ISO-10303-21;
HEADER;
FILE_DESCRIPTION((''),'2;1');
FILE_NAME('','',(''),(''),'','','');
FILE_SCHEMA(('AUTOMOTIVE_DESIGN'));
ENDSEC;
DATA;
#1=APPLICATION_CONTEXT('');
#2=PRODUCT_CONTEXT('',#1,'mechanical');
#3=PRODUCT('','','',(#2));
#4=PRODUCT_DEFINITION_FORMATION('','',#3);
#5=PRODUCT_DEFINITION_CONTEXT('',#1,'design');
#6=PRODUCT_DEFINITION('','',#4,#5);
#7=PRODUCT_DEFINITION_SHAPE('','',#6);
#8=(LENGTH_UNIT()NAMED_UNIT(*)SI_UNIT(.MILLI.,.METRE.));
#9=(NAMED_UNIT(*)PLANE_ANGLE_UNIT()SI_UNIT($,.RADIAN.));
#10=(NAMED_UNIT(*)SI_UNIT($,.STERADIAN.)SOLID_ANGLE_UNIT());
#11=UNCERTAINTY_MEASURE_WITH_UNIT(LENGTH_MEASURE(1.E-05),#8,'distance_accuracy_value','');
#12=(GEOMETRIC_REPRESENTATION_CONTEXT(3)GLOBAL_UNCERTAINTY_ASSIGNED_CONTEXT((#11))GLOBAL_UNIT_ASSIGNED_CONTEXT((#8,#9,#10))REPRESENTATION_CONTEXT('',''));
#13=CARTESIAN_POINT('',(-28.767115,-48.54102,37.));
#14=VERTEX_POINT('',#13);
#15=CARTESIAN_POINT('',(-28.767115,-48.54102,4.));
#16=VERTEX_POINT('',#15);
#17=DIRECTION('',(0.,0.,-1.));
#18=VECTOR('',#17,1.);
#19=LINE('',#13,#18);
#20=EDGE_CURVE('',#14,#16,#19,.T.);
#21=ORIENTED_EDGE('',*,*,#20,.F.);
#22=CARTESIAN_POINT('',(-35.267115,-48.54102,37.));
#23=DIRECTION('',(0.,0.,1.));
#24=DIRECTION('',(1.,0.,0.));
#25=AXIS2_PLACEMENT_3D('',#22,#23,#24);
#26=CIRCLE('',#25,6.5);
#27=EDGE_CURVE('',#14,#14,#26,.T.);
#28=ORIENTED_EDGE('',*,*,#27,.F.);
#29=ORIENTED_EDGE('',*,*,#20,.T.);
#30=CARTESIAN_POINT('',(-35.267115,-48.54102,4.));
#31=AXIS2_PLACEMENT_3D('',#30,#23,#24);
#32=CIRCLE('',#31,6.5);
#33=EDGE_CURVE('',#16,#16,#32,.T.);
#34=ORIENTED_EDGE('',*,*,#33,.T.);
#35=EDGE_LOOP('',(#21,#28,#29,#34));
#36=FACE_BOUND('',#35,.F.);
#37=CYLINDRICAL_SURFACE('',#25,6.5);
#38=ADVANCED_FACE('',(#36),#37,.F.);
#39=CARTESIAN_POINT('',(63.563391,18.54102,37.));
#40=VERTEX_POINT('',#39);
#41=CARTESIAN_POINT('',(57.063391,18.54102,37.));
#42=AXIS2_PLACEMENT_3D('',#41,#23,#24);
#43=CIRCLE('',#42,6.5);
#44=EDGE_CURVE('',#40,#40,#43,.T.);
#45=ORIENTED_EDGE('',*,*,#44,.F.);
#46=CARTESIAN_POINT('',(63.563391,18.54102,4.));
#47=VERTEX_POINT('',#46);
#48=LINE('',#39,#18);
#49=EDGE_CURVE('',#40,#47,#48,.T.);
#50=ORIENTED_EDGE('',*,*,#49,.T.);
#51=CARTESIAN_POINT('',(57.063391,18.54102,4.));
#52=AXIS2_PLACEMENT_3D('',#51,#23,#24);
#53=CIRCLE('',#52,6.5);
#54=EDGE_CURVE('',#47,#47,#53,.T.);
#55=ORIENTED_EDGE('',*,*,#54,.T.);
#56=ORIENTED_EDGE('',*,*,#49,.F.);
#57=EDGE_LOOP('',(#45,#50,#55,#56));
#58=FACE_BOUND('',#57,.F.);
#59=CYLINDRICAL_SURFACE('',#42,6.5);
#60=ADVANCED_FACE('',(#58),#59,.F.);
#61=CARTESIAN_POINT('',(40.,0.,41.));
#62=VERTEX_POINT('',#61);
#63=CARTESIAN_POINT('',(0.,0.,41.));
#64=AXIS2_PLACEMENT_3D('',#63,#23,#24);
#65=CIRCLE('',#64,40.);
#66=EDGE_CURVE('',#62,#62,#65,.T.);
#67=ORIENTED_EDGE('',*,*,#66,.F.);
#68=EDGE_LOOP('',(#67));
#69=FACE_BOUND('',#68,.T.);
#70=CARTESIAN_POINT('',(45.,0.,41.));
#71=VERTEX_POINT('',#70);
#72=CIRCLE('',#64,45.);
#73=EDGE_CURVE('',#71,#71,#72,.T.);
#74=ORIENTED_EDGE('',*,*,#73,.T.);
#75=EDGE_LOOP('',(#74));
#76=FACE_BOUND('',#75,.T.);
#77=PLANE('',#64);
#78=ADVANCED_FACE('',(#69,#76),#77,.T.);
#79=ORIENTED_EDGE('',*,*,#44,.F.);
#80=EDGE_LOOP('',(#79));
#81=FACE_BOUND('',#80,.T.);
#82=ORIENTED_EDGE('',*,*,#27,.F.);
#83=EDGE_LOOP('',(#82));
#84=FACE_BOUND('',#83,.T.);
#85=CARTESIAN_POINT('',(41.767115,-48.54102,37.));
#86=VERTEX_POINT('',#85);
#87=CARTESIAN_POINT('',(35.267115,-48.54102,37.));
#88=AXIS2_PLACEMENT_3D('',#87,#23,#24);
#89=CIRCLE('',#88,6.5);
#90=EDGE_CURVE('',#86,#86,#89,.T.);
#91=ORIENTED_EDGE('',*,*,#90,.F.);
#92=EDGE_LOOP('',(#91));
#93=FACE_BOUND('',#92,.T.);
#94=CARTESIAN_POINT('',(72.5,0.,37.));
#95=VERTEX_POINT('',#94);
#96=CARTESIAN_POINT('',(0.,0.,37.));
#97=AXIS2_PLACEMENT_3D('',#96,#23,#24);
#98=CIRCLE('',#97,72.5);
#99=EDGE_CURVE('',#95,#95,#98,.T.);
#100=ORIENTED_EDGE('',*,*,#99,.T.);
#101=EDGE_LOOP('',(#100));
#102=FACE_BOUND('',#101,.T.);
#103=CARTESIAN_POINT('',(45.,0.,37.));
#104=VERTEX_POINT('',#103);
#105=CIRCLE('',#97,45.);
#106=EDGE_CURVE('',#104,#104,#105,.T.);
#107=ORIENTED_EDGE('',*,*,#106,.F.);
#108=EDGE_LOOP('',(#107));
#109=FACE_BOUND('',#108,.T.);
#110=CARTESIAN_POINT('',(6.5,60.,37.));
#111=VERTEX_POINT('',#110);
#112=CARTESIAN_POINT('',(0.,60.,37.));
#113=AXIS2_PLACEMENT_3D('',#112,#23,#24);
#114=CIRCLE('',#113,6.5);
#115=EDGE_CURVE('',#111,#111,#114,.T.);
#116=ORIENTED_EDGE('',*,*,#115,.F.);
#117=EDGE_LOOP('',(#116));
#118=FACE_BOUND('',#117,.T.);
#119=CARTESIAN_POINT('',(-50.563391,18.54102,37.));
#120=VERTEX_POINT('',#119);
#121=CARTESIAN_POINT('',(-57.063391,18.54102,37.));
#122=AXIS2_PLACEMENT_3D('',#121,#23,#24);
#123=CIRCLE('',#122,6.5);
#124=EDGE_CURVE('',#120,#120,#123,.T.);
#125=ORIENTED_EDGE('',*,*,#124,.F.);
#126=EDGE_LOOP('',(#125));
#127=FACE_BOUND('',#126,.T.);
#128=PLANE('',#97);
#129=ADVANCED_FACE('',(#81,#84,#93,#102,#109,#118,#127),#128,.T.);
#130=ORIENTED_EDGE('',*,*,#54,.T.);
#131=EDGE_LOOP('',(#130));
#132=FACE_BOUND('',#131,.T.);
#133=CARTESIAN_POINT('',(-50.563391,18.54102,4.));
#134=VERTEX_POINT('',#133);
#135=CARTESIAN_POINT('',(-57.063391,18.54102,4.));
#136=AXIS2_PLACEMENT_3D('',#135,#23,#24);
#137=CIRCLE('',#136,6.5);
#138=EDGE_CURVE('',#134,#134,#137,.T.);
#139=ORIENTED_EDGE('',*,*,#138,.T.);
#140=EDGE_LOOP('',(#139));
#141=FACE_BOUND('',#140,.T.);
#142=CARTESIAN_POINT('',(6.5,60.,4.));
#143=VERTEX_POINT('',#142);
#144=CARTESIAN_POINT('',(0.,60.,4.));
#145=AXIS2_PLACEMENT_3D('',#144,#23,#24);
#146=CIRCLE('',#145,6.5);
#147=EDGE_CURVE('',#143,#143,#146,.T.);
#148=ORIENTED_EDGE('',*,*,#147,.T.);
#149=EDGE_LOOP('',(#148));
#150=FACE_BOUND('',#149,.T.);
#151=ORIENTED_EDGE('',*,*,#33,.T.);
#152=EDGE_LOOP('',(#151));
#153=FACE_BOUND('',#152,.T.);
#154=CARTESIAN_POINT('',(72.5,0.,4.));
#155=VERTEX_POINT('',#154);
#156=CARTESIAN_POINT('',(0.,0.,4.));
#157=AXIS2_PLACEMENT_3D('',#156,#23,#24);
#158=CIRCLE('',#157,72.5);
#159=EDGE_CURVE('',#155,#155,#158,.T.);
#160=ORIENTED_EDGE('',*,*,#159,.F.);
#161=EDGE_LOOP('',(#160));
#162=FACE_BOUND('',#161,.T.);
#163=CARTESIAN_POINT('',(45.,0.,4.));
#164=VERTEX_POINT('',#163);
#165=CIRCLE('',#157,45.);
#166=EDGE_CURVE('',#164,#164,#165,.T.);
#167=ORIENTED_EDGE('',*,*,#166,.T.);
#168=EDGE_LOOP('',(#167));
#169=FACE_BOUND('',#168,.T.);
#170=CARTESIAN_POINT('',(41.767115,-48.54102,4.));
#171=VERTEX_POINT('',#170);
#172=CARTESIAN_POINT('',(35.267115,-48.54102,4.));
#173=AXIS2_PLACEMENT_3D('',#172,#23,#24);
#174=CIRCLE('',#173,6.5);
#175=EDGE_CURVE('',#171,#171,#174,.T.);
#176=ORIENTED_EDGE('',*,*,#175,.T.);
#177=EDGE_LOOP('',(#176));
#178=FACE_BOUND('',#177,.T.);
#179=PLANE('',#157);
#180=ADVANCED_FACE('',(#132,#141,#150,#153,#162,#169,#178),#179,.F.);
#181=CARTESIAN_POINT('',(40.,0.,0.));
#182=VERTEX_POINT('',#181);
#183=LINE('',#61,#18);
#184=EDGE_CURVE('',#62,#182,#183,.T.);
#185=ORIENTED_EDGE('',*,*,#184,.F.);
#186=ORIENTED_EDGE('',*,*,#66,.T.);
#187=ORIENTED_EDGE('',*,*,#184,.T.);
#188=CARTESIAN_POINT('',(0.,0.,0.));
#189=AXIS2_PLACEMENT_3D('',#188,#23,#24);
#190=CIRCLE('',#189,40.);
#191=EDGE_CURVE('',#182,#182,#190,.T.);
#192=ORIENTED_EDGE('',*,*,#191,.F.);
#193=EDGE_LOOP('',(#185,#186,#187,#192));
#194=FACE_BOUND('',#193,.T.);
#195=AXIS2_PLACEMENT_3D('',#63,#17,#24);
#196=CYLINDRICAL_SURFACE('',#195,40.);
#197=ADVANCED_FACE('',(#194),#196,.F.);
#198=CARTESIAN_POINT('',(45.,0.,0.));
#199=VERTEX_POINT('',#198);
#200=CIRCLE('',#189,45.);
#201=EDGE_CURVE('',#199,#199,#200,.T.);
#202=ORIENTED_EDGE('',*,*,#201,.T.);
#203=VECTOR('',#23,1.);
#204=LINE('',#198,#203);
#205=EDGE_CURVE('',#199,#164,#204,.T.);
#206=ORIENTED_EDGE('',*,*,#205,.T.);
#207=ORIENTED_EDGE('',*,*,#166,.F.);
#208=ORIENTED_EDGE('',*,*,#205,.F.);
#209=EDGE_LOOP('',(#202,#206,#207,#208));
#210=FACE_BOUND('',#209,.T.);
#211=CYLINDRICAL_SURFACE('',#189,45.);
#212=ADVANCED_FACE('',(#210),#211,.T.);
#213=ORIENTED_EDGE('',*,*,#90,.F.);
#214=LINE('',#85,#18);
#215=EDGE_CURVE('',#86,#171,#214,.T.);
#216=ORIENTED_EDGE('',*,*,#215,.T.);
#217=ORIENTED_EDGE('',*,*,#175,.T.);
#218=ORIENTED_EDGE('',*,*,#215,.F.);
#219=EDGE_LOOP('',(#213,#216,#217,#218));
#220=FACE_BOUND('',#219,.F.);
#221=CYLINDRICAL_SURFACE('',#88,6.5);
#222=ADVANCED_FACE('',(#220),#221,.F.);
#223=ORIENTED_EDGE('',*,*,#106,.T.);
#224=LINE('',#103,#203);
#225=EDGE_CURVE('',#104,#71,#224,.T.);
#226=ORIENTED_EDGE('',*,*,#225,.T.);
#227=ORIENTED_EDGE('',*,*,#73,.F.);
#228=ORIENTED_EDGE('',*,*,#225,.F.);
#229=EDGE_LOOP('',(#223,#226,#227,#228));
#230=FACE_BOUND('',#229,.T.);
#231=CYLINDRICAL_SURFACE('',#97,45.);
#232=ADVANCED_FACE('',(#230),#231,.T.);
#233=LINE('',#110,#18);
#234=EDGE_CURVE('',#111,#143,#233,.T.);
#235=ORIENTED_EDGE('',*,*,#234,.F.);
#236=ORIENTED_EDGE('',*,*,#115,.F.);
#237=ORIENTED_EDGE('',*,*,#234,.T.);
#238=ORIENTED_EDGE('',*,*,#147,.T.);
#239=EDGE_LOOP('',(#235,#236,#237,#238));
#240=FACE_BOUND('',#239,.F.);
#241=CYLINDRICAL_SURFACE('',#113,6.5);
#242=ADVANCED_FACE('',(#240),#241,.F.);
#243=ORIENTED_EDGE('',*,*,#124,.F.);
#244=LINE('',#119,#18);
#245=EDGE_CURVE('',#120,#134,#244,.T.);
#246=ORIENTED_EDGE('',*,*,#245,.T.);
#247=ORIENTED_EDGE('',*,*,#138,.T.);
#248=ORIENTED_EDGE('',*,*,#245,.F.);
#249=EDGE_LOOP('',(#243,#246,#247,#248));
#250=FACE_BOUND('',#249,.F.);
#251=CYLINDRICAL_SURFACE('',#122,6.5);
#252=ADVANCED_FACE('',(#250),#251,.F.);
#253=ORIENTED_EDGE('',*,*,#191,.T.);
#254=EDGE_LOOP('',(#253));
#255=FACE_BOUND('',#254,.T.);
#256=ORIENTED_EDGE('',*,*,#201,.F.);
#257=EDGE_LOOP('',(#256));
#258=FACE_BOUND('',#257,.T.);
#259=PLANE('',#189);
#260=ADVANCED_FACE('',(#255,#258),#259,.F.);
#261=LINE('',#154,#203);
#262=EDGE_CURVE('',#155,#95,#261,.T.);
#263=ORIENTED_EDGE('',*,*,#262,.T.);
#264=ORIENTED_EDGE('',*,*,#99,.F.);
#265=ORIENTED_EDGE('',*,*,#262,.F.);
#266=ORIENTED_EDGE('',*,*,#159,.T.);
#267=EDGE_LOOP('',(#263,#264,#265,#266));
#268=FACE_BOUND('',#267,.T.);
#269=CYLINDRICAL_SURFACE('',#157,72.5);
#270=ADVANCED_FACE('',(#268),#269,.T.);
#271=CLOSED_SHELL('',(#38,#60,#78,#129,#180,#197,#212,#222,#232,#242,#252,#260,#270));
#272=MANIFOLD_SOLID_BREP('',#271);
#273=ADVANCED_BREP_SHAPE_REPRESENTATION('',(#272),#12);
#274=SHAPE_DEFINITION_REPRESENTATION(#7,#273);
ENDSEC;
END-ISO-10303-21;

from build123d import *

# Parameters (mm, degrees)
F2_R     = 6.5
F3_DEPTH = 33


with BuildPart() as f1:
    # F0 (on Front) → F1 (revolve)
    with BuildSketch(Plane.XZ):
        Polygon((40, 41), (40, 0), (45, 0), (45, 4), (72.5, 4), (72.5, 37), (45, 37), (45, 41), align=None)
    revolve(axis=Axis((0, 0, 41.075442), (0, 0, 1)))

    # F2 (on face) → F3 (cut, through all)
    with BuildSketch(Plane.XY.offset(37)):
        with Locations((0, 60)):
            Circle(F2_R)
        with Locations((-57.063391, 18.54102)):
            Circle(F2_R)
        with Locations((-35.267115, -48.54102)):
            Circle(F2_R)
        with Locations((35.267115, -48.54102)):
            Circle(F2_R)
        with Locations((57.063391, 18.54102)):
            Circle(F2_R)
    extrude(amount=-F3_DEPTH, mode=Mode.SUBTRACT)


solid = f1.part
